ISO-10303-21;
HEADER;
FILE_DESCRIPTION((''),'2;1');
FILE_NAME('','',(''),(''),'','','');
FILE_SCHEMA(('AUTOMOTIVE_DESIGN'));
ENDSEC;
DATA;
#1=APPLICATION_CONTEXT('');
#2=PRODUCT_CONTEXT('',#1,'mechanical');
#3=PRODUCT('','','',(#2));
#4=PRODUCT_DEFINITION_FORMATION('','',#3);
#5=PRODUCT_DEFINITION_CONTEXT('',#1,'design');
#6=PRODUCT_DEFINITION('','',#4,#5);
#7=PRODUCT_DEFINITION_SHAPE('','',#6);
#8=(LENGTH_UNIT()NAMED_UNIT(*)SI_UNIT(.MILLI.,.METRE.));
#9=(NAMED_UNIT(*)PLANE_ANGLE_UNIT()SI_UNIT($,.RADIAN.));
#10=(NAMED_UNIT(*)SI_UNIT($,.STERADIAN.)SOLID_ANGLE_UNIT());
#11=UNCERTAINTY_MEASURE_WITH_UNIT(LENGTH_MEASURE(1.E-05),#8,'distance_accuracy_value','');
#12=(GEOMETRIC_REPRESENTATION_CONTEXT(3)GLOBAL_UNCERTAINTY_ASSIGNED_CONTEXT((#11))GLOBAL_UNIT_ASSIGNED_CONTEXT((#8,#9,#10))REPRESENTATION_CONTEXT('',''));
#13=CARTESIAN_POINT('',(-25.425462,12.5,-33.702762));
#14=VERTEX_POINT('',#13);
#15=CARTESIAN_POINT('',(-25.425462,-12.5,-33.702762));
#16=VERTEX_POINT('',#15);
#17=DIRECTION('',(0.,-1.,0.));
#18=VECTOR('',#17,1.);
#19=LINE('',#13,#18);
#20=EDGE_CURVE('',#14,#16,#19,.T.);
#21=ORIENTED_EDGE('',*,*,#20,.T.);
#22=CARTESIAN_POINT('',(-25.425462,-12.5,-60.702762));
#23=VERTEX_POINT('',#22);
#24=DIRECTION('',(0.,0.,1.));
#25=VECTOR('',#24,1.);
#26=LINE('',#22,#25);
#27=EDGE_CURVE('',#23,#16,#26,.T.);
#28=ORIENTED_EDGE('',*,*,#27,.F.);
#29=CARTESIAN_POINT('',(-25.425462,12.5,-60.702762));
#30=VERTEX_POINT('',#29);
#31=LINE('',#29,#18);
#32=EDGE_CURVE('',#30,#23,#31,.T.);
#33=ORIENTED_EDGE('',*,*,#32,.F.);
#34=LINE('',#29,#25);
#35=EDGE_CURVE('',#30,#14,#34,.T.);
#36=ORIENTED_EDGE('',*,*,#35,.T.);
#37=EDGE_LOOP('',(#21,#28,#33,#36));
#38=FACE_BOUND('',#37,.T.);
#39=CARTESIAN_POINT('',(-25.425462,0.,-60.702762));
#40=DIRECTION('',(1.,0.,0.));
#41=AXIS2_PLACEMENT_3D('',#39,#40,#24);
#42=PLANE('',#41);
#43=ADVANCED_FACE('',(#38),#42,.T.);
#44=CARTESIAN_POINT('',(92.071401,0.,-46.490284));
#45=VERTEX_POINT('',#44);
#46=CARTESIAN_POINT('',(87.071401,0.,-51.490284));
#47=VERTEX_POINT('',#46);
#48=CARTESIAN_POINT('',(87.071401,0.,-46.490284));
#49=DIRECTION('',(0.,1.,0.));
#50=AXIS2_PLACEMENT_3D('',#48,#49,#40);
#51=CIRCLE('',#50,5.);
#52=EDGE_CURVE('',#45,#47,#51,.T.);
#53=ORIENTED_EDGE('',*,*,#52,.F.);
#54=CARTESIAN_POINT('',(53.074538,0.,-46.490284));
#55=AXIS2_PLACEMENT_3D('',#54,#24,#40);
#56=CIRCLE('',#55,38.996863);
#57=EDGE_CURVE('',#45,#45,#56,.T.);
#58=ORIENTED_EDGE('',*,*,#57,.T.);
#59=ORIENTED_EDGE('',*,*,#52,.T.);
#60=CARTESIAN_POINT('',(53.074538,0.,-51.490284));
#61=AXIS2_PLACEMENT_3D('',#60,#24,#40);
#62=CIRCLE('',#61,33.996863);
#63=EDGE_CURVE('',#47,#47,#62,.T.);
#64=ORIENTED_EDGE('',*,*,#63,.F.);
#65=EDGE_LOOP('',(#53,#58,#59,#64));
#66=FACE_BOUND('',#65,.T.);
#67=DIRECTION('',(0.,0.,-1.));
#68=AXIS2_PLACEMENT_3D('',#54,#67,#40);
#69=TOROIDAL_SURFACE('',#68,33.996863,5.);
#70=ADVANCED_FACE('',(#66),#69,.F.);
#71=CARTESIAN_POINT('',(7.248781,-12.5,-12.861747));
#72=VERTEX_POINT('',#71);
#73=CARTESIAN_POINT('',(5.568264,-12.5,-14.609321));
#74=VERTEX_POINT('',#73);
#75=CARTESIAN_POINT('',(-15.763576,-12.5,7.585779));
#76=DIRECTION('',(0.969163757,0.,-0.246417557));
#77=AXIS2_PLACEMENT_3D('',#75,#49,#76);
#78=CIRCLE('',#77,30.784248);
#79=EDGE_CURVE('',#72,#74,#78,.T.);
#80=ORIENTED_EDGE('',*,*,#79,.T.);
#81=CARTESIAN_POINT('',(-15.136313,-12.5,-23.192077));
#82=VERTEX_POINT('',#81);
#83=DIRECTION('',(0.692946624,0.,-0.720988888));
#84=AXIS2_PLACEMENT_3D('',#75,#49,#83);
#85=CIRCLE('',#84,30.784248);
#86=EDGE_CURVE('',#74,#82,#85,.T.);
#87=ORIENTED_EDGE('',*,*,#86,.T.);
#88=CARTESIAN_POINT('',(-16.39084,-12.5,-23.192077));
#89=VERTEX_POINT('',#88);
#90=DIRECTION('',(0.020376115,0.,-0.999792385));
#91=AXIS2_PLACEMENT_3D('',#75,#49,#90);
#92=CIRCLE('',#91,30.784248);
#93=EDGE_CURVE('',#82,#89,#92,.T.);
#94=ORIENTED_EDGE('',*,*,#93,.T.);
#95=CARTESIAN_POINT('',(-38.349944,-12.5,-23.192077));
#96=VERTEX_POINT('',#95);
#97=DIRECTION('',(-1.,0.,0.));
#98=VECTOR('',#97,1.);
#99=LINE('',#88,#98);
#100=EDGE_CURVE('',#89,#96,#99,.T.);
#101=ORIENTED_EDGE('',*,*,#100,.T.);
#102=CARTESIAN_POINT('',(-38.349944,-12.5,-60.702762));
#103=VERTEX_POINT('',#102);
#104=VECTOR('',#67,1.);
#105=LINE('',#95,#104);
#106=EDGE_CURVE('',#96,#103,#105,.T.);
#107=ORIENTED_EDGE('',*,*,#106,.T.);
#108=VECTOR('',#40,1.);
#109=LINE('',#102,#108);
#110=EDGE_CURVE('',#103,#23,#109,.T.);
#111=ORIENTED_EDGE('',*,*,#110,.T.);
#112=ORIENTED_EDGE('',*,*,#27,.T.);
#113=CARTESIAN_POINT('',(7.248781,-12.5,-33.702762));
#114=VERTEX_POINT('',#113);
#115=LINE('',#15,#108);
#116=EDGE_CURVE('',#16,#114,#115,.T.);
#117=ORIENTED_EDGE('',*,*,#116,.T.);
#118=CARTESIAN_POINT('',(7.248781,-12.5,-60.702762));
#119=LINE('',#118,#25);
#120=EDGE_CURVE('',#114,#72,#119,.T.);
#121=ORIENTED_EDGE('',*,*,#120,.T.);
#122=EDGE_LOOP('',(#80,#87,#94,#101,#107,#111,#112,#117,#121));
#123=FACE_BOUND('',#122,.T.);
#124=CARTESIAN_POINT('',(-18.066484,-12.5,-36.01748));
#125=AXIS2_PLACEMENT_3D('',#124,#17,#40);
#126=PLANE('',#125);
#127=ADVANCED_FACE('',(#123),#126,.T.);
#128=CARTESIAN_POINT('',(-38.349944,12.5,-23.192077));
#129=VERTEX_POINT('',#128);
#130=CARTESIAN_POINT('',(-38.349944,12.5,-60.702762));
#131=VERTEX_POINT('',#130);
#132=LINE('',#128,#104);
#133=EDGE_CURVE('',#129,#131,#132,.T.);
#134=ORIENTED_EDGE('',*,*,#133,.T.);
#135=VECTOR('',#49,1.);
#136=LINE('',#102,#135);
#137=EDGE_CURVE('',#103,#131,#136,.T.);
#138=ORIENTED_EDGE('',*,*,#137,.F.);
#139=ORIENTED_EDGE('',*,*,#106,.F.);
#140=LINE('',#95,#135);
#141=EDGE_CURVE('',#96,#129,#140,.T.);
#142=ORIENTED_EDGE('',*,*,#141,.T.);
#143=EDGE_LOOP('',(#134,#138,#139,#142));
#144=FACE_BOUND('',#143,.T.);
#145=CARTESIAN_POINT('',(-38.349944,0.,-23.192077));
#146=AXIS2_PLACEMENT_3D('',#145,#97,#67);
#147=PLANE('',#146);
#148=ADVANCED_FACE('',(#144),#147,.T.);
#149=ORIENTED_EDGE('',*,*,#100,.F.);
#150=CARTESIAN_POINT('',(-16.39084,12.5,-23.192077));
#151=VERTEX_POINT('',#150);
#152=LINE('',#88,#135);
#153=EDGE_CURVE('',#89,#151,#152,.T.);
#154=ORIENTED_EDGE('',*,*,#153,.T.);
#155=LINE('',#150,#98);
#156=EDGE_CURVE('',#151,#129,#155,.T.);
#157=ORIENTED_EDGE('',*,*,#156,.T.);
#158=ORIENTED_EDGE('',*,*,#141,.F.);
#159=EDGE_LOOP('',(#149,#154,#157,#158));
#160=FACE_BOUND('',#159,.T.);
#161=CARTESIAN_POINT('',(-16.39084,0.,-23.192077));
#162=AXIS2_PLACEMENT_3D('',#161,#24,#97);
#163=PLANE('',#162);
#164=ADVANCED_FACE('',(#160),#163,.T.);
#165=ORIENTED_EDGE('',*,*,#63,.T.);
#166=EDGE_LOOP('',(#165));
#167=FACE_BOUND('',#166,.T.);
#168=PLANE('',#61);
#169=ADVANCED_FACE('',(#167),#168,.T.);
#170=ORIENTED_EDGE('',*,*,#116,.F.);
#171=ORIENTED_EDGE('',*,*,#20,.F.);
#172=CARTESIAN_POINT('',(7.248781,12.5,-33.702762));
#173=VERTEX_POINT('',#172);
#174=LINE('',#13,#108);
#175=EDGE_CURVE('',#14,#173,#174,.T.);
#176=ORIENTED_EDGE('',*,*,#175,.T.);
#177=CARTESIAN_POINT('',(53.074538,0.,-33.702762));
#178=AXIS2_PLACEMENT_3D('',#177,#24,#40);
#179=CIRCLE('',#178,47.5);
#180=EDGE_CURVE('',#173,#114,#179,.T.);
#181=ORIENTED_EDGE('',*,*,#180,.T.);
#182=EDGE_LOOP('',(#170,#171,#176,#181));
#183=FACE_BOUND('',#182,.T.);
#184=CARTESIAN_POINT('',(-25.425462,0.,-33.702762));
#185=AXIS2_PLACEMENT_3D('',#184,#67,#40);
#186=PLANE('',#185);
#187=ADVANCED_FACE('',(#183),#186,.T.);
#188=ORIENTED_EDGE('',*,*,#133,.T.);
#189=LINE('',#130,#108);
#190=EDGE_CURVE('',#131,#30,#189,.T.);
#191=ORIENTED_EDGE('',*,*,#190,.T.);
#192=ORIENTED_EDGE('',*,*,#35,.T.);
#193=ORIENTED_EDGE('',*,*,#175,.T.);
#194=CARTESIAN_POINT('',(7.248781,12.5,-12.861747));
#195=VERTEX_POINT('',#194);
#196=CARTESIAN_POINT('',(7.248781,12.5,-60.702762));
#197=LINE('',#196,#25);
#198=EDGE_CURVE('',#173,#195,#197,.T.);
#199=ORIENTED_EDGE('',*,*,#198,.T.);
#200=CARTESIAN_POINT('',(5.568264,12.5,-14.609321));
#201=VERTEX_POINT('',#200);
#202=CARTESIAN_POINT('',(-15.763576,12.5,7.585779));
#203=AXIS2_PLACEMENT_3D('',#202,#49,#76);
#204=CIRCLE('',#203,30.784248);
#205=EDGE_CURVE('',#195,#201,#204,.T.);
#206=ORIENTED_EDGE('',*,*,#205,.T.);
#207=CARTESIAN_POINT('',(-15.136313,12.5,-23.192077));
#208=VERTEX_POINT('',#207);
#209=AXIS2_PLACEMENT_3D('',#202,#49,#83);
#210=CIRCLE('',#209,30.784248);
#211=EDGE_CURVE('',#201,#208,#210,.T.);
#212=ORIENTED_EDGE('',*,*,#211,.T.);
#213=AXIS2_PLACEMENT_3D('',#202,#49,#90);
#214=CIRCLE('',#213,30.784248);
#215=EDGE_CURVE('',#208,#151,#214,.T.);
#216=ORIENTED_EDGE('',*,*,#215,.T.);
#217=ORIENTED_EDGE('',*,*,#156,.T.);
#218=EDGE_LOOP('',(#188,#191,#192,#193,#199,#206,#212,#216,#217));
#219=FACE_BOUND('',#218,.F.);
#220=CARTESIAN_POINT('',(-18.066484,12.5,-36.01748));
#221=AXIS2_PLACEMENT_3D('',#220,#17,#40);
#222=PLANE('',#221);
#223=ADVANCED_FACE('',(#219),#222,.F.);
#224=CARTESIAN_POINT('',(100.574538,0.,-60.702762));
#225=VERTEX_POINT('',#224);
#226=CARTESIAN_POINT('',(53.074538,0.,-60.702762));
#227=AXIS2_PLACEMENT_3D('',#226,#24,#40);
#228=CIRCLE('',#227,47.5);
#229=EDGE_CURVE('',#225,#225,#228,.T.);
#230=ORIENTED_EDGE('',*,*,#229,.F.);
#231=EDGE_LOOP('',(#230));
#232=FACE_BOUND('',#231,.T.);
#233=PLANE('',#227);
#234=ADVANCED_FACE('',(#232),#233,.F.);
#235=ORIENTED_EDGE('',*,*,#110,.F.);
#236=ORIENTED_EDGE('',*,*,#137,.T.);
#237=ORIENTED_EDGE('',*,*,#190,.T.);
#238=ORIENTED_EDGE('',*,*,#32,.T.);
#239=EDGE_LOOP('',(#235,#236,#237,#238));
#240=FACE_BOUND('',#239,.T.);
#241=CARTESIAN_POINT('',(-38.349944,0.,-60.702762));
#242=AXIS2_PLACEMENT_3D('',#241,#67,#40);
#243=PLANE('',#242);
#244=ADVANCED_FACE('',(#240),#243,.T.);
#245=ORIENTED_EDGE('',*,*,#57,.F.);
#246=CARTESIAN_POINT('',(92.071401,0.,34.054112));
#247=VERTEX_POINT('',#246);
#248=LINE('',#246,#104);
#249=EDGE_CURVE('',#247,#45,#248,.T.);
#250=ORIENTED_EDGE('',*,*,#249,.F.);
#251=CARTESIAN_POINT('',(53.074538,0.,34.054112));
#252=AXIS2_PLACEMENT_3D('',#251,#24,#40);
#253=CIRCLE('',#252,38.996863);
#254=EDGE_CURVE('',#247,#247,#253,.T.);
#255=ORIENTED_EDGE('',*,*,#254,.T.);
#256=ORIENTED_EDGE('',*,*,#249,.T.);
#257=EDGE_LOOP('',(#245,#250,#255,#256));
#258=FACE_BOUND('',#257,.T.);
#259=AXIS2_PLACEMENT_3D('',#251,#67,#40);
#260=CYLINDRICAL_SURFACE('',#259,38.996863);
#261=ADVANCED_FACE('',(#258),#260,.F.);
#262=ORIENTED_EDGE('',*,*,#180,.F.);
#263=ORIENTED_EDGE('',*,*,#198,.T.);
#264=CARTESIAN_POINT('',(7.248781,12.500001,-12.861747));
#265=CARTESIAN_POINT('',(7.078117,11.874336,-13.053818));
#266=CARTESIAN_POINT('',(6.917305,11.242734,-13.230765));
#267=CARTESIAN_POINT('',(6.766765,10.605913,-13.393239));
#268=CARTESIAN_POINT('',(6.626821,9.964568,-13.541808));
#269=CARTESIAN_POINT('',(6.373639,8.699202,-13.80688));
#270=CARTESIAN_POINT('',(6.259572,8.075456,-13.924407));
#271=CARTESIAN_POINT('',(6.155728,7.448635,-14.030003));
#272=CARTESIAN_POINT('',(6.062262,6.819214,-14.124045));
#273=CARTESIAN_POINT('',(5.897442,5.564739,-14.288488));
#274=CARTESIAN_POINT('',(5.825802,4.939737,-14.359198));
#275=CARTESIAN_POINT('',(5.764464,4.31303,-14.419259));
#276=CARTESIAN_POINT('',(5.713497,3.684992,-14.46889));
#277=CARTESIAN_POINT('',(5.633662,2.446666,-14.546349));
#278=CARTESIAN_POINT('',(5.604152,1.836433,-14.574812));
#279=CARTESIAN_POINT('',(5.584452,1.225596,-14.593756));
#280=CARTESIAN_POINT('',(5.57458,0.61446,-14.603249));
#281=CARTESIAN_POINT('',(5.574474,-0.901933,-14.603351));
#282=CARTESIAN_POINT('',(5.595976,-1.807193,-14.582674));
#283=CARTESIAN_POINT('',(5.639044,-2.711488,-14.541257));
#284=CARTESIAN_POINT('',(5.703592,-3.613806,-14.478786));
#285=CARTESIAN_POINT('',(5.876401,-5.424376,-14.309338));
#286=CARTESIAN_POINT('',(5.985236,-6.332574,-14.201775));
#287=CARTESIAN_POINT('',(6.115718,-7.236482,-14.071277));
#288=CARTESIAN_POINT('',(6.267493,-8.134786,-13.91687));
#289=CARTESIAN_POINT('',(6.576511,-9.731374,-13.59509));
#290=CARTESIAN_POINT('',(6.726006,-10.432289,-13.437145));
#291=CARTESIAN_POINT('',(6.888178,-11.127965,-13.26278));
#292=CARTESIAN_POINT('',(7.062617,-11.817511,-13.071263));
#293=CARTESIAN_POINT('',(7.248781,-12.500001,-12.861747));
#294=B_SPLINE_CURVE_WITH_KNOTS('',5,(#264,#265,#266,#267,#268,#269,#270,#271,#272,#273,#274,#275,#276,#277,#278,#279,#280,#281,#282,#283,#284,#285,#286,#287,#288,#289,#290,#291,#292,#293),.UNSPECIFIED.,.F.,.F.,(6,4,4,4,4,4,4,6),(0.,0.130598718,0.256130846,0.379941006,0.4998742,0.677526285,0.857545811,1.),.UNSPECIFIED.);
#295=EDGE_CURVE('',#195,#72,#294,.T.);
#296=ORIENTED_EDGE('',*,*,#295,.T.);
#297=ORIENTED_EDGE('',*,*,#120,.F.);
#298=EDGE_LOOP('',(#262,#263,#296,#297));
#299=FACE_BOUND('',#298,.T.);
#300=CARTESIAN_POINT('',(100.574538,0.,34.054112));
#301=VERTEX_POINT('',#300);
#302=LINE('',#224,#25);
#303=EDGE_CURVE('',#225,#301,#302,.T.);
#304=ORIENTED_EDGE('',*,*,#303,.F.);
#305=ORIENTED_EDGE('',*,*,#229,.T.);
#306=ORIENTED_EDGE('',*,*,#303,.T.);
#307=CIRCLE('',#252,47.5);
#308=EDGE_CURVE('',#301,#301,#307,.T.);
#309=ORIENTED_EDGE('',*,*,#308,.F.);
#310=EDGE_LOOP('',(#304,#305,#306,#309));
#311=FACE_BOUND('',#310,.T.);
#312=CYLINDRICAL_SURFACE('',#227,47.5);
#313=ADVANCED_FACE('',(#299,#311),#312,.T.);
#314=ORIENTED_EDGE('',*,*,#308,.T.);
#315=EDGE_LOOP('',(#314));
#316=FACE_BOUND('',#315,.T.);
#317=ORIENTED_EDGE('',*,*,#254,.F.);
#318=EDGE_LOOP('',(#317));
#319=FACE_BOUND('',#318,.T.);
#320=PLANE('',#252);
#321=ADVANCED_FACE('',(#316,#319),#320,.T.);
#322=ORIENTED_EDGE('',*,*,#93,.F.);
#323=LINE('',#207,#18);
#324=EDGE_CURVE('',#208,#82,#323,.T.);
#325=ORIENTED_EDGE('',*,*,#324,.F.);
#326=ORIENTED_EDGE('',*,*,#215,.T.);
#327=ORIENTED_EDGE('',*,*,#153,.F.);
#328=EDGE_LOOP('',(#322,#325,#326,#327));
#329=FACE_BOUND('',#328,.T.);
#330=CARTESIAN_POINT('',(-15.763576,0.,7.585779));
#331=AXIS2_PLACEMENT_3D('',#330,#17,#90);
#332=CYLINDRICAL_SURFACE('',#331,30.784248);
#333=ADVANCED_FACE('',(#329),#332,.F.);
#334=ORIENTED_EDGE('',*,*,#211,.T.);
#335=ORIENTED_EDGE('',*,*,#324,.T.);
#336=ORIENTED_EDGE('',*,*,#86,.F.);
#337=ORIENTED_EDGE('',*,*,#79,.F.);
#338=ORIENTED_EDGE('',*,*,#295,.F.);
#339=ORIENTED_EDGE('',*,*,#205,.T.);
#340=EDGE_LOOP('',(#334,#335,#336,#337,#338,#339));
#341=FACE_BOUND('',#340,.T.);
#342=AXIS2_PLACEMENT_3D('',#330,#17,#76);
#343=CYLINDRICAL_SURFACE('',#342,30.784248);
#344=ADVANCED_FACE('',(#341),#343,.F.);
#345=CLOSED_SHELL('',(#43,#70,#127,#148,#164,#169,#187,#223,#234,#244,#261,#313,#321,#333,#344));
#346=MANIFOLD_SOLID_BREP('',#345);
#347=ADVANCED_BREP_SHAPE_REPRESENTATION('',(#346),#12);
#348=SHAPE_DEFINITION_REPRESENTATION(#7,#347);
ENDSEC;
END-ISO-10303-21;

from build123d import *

# Parameters (mm, degrees)
F2_DEPTH = 12.5


with BuildPart() as f1:
    # F0 (on Front) → F1 (revolve)
    with BuildSketch(Plane.XZ):
        with BuildLine():
            Line((53.0745375094, -51.4902840658), (53.0745375094, -60.7027623664))
            Line((53.0745375094, -60.7027623664), (100.5745375094, -60.7027623664))
            Line((100.5745375094, -60.7027623664), (100.5745375094, 34.0541115609))
            Line((100.5745375094, 34.0541115609), (92.0714008287, 34.0541115609))
            Line((92.0714008287, 34.0541115609), (92.0714008287, -46.4902840658))
            ThreePointArc((92.0714008287, -46.4902840658), (90.6069347347, -50.0258179717), (87.0714008287, -51.4902840658))
            Line((87.0714008287, -51.4902840658), (53.0745375094, -51.4902840658))
        make_face()
    revolve(axis=Axis((53.0745375094, 0, -15.542457558), (0, 0, 1)))

    # F0 (on Front) → F2 (join, symmetric)
    with BuildSketch(Plane.XZ):
        with BuildLine():
            Line((-38.3499438338, -60.7027623664), (-25.4254624906, -60.7027623664))
            Line((-25.4254624906, -60.7027623664), (-25.4254624906, -33.7027623664))
            Line((-25.4254624906, -33.7027623664), (5.5745375094, -33.7027623664))
            Line((5.5745375094, -33.7027623664), (14.0714008287, -33.7027623664))
            Line((14.0714008287, -33.7027623664), (14.0714008287, -23.182044171))
            Line((14.0714008287, -23.182044171), (5.568264148, -23.1920774209))
            Line((5.568264148, -23.1920774209), (-15.13631307, -23.1920774209))
            ThreePointArc((-15.13631307, -23.1920774209), (-15.7635764564, -23.1984686799), (-16.3908398429, -23.1920774209))
            Line((-16.3908398429, -23.1920774209), (-38.3499438338, -23.1920774209))
            Line((-38.3499438338, -23.1920774209), (-38.3499438338, -60.7027623664))
        make_face()
        with BuildLine():
            ThreePointArc((5.568264148, -14.6093214591), (-3.9751716875, -20.8519322119), (-15.13631307, -23.1920774209))
            Line((-15.13631307, -23.1920774209), (5.568264148, -23.1920774209))
            Line((5.568264148, -23.1920774209), (5.568264148, -14.6093214591))
        make_face()
        with BuildLine():
            Line((5.568264148, -23.1920774209), (14.0714008287, -23.182044171))
            Line((14.0714008287, -23.182044171), (14.0714008287, 0))
            ThreePointArc((14.0714008287, 0), (10.8422289554, -7.8997312758), (5.568264148, -14.6093214591))
            Line((5.568264148, -14.6093214591), (5.568264148, -23.1920774209))
        make_face()
    extrude(amount=F2_DEPTH, both=True)


solid = f1.part
